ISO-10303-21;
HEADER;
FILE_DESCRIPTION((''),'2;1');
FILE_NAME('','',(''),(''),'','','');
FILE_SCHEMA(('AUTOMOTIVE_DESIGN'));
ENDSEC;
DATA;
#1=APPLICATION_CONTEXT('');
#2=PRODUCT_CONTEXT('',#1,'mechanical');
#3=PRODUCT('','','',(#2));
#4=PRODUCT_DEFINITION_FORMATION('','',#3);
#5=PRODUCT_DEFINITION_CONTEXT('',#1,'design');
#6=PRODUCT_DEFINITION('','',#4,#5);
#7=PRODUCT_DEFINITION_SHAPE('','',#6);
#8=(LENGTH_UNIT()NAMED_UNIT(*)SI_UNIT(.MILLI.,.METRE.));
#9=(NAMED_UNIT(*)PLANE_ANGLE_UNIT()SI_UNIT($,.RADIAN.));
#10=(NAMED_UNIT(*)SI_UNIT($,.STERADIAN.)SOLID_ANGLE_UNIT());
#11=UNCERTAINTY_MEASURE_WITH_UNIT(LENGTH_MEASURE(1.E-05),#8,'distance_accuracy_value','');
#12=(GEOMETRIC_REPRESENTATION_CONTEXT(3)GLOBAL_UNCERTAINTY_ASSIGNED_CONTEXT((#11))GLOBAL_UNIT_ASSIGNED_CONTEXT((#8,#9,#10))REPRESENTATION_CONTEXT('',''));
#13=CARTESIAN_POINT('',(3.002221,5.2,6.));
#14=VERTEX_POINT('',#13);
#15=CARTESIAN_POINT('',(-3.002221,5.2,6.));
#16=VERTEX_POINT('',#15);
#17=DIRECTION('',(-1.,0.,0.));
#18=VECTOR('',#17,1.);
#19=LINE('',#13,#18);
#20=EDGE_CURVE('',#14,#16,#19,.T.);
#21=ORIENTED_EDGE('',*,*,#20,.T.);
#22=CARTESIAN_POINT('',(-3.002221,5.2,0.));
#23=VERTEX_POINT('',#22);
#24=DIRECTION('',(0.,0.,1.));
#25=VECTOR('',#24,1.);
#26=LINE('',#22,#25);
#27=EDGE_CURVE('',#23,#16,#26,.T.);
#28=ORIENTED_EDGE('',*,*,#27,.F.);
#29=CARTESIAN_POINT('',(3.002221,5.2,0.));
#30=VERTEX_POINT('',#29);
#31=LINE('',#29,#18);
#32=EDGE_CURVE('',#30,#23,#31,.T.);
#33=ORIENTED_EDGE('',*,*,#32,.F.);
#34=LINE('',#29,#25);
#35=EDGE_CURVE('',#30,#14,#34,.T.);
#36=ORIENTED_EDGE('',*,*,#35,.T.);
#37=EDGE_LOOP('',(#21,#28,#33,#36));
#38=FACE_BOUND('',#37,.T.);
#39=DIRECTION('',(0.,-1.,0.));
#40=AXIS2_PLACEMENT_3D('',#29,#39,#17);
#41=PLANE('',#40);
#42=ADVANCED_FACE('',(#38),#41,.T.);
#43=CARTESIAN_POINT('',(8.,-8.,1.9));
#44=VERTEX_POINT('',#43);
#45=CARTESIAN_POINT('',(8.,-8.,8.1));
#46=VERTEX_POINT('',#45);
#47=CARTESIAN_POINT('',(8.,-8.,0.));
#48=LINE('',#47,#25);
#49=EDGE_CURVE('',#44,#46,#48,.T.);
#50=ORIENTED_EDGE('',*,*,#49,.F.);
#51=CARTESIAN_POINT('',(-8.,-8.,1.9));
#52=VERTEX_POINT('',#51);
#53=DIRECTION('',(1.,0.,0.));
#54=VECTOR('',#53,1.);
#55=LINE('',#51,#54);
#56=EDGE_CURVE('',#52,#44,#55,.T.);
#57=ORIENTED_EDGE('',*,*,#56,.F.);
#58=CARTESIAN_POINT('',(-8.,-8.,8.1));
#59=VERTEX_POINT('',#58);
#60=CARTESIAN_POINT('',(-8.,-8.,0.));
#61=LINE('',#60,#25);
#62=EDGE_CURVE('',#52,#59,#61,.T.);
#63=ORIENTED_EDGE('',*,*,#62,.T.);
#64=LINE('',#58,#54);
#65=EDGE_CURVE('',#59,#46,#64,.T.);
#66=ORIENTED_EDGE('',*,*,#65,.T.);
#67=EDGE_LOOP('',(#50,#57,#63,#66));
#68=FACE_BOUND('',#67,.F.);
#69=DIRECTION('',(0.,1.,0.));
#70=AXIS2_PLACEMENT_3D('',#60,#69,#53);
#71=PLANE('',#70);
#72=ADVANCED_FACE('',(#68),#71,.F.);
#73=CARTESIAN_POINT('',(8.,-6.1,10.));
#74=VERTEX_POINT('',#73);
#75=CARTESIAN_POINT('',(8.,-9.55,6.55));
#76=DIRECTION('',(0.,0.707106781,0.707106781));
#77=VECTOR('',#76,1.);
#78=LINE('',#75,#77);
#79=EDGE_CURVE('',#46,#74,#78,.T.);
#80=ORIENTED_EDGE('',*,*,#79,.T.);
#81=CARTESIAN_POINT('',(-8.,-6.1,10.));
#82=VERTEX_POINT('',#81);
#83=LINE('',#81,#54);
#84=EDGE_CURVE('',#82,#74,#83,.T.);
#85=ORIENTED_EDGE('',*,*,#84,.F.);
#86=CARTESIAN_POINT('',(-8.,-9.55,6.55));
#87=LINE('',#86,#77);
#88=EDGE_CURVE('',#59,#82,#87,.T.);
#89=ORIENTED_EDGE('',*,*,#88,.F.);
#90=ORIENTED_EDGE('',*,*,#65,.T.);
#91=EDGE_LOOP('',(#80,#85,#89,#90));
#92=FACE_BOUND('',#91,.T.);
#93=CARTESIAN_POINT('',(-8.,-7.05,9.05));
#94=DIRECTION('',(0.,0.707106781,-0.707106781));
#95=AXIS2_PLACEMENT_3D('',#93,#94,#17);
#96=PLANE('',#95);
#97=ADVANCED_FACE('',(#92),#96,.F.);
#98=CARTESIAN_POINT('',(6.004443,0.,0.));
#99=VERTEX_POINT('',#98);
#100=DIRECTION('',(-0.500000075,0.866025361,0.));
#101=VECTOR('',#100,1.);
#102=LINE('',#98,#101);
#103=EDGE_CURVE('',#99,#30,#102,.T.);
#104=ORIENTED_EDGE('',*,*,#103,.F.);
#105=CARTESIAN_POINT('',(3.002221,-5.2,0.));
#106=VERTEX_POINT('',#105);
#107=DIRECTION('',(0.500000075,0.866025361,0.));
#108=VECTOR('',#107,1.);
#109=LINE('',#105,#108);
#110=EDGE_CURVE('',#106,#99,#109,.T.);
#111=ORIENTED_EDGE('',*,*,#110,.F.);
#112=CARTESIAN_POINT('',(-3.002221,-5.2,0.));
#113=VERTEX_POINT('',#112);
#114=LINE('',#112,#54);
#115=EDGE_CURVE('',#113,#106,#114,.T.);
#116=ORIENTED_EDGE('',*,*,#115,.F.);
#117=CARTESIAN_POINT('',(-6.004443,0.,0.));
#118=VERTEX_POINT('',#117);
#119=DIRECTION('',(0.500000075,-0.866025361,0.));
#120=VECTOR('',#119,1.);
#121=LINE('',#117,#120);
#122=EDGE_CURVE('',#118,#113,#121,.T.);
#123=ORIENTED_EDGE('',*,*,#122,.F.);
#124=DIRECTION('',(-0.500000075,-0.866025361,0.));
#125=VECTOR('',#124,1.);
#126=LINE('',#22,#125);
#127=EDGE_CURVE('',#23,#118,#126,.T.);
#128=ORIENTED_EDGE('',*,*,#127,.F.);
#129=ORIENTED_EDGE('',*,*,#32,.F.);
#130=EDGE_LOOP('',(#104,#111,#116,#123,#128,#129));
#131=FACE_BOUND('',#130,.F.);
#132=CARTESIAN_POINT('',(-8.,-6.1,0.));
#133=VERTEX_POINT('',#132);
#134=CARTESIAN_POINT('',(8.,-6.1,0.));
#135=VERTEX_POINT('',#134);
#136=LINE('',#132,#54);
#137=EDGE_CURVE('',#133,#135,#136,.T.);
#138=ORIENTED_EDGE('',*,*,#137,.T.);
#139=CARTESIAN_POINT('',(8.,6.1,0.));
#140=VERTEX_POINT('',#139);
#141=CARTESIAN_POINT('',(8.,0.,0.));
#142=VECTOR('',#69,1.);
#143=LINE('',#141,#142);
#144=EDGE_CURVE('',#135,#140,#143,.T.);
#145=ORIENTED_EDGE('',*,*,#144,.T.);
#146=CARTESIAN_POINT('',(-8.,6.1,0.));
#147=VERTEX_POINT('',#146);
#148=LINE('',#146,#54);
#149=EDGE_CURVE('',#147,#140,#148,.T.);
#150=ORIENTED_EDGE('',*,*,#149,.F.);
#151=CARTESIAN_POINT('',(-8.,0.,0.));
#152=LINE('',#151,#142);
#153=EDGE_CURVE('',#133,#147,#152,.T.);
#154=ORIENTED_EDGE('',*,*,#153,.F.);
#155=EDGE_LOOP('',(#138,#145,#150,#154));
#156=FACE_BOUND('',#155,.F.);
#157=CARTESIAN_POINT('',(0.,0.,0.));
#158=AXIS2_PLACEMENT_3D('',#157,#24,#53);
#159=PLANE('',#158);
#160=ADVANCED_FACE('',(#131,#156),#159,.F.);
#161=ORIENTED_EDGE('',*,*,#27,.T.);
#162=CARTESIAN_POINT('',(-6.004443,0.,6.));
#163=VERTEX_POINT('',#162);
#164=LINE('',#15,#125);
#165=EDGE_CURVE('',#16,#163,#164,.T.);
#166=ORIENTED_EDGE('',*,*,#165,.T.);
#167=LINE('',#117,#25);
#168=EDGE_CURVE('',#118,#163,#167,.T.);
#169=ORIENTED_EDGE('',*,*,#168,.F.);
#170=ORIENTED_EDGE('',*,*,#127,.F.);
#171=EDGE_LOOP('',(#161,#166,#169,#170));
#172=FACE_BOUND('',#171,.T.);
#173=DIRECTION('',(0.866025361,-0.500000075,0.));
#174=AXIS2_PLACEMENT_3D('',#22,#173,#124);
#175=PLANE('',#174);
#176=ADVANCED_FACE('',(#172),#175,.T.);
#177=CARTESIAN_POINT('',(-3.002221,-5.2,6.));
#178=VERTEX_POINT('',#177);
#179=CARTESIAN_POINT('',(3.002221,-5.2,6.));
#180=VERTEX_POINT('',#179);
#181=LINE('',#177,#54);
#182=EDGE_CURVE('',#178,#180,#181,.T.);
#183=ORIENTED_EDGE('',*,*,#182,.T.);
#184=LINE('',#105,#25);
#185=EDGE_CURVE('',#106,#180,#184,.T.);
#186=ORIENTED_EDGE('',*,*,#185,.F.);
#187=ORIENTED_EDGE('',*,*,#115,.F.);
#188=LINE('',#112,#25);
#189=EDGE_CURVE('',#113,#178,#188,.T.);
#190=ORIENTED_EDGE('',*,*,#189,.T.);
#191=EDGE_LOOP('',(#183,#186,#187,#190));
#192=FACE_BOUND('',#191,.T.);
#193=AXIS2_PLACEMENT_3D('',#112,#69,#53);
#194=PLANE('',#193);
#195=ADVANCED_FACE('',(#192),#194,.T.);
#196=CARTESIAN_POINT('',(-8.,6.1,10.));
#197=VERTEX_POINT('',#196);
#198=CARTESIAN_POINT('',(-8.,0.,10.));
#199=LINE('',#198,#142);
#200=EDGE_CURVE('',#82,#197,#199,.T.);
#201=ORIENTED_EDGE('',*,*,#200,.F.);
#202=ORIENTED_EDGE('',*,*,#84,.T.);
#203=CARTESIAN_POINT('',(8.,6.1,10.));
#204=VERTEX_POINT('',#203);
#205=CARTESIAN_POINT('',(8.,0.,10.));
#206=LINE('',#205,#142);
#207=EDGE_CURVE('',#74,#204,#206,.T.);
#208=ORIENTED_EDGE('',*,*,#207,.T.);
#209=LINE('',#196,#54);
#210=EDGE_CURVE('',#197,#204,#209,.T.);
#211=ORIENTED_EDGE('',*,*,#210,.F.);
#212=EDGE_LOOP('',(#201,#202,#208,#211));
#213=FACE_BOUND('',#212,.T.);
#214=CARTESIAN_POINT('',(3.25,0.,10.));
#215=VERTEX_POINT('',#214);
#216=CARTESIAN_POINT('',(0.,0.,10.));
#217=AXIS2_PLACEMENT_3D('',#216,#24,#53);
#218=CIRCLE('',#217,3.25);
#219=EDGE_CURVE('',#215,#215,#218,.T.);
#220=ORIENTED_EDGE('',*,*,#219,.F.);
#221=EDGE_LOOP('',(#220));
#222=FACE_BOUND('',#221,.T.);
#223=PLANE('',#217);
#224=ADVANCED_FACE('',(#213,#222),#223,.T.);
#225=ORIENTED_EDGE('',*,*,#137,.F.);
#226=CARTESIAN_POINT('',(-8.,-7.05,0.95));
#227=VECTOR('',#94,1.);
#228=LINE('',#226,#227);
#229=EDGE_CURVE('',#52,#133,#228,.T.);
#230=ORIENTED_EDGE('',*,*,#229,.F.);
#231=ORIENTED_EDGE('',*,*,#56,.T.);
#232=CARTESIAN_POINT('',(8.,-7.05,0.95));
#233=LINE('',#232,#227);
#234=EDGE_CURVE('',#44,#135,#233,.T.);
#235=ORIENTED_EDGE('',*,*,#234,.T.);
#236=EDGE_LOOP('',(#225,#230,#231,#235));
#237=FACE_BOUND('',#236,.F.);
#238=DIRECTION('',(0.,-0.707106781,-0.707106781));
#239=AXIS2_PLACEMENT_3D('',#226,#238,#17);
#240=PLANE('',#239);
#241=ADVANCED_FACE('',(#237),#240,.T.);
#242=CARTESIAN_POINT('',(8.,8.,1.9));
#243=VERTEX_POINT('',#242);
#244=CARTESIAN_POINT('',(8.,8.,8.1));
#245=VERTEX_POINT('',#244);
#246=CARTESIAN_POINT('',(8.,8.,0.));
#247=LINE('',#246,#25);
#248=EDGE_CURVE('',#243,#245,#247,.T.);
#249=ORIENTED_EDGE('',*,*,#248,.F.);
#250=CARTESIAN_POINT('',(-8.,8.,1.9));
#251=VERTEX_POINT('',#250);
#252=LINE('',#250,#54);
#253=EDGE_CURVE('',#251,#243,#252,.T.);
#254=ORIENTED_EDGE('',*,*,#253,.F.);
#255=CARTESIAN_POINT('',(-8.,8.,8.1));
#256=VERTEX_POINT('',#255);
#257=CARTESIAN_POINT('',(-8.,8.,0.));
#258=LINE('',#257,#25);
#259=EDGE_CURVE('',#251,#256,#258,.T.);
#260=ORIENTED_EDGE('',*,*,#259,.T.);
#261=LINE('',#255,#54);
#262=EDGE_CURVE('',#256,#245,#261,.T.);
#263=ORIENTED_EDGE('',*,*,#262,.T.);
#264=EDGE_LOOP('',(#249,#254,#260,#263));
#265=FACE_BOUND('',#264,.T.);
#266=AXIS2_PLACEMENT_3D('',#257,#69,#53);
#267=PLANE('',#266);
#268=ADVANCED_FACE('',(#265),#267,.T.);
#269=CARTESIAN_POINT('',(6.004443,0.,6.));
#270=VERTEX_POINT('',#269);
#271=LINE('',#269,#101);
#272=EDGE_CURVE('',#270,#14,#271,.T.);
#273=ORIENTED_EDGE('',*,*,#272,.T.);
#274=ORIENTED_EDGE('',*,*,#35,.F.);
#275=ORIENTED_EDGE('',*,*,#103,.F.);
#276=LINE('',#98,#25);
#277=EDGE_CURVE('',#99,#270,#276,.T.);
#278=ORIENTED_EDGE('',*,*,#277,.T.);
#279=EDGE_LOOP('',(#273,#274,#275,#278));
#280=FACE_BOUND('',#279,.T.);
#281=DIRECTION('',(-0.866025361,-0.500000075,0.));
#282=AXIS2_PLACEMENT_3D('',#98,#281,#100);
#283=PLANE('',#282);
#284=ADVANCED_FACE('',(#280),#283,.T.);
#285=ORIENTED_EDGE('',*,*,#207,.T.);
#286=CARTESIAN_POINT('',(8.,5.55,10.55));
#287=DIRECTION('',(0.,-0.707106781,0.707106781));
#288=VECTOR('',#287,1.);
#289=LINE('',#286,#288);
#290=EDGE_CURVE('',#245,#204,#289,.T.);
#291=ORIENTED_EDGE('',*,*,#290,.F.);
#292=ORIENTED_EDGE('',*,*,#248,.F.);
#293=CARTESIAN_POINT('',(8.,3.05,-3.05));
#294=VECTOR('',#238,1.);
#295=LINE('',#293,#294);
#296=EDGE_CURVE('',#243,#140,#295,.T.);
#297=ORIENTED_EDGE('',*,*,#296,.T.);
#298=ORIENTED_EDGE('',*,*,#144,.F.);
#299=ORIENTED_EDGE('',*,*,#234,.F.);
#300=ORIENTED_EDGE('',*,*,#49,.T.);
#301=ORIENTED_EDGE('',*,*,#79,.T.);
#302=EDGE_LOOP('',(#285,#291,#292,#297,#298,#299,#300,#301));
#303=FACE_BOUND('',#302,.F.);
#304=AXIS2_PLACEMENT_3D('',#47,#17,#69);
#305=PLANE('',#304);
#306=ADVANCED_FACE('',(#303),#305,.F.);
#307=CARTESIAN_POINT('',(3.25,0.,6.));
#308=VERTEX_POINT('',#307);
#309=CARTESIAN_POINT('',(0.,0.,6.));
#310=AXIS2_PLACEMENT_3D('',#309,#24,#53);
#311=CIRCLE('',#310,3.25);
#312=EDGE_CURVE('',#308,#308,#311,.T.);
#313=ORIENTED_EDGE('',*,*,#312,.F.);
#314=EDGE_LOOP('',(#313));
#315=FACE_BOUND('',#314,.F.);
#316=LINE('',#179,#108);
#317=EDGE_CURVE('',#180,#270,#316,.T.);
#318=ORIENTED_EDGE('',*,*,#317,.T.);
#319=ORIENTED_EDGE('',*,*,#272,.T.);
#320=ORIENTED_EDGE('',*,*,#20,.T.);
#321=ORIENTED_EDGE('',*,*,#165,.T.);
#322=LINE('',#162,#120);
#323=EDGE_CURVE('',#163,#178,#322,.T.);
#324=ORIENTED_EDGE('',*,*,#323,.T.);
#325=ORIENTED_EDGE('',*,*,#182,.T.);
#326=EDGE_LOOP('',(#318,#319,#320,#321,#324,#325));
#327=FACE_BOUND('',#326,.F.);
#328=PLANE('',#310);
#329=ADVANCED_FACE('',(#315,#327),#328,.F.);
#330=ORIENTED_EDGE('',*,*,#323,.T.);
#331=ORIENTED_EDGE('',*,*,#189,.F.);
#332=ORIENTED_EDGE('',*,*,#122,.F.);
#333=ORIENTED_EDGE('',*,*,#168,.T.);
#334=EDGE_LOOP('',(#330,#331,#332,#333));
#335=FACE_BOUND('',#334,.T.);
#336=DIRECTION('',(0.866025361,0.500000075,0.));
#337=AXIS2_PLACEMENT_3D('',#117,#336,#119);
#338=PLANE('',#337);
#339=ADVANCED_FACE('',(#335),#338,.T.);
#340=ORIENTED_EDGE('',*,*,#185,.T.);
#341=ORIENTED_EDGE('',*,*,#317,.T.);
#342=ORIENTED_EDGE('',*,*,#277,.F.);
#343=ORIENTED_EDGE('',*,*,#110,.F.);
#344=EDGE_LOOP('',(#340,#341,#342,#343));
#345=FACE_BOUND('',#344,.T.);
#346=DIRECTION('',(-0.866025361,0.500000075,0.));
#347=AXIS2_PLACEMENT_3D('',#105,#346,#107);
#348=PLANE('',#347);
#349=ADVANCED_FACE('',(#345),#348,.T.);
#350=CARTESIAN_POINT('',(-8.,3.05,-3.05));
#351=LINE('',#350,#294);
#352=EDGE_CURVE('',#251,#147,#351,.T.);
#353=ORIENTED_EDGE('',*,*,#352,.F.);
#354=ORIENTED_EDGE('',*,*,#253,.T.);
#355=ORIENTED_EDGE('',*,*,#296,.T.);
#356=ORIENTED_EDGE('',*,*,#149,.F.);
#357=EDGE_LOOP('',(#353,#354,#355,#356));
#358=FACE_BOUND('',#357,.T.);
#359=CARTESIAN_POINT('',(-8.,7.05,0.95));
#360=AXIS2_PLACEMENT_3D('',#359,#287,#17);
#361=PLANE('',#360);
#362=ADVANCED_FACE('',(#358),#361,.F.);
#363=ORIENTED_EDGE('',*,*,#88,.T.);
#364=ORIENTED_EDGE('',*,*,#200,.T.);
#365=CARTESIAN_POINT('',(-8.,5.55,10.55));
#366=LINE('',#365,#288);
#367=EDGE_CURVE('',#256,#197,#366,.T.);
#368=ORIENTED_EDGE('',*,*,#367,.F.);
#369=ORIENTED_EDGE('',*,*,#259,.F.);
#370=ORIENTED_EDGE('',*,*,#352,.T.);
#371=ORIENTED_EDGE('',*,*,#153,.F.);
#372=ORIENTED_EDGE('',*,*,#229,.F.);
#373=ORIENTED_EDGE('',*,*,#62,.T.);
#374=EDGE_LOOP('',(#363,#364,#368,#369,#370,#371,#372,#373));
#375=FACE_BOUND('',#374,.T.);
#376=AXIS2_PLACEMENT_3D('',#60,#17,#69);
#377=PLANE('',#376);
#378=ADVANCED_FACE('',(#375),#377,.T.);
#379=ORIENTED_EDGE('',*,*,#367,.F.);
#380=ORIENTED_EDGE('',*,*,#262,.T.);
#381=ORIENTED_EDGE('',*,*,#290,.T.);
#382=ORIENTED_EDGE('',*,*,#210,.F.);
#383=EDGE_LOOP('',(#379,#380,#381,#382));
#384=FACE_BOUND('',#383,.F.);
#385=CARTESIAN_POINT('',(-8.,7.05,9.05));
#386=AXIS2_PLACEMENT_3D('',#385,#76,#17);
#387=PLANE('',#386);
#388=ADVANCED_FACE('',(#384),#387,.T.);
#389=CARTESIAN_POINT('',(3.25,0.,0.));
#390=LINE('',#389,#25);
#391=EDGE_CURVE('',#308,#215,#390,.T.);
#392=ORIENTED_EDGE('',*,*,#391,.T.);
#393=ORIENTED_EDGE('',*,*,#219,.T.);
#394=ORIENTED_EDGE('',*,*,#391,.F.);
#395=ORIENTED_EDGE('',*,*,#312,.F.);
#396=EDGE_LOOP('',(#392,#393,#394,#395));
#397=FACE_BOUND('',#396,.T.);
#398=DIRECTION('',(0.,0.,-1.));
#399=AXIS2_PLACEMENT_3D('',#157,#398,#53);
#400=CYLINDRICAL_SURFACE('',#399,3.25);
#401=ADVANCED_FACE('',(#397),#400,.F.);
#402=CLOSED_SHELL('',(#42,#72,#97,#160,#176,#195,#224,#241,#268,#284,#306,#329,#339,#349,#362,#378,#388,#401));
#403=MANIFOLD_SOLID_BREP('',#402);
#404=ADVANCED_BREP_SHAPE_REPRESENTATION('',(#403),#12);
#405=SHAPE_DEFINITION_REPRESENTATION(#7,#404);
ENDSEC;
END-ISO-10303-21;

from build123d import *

# Parameters (mm, degrees)
F0_W     = 16
F0_H     = 16
F0_R     = 3.25
F1_DEPTH = 10
F2_DEPTH = 6
F3_SIZE  = 1.9


with BuildPart() as f1:
    # F0 (on Top) → F1 (new body)
    with BuildSketch(Plane.XY):
        Rectangle(F0_W, F0_H)
        Polygon((-6.004443, 0), (-3.002221, 5.2), (3.002221, 5.2), (6.004443, 0), (3.002221, -5.2), (-3.002221, -5.2), align=None, mode=Mode.SUBTRACT)
        Polygon((3.002221, 5.2), (-3.002221, 5.2), (-6.004443, 0), (-3.002221, -5.2), (3.002221, -5.2), (6.004443, 0), align=None)
        Circle(F0_R, mode=Mode.SUBTRACT)
    extrude(amount=F1_DEPTH)

    # F0 (on Top) → F2 (cut)
    with BuildSketch(Plane.XY):
        Polygon((3.002221, 5.2), (-3.002221, 5.2), (-6.004443, 0), (-3.002221, -5.2), (3.002221, -5.2), (6.004443, 0), align=None)
        Circle(F0_R, mode=Mode.SUBTRACT)
    extrude(amount=F2_DEPTH, mode=Mode.SUBTRACT)

    # F3
    f3_edges = [f1.edges().sort_by_distance(p)[0] for p in [
        (0, 8, 0),
        (0, -8, 0),
        (0, 8, 10),
        (0, -8, 10),
    ]]
    chamfer(f3_edges, length=F3_SIZE)


solid = f1.part
